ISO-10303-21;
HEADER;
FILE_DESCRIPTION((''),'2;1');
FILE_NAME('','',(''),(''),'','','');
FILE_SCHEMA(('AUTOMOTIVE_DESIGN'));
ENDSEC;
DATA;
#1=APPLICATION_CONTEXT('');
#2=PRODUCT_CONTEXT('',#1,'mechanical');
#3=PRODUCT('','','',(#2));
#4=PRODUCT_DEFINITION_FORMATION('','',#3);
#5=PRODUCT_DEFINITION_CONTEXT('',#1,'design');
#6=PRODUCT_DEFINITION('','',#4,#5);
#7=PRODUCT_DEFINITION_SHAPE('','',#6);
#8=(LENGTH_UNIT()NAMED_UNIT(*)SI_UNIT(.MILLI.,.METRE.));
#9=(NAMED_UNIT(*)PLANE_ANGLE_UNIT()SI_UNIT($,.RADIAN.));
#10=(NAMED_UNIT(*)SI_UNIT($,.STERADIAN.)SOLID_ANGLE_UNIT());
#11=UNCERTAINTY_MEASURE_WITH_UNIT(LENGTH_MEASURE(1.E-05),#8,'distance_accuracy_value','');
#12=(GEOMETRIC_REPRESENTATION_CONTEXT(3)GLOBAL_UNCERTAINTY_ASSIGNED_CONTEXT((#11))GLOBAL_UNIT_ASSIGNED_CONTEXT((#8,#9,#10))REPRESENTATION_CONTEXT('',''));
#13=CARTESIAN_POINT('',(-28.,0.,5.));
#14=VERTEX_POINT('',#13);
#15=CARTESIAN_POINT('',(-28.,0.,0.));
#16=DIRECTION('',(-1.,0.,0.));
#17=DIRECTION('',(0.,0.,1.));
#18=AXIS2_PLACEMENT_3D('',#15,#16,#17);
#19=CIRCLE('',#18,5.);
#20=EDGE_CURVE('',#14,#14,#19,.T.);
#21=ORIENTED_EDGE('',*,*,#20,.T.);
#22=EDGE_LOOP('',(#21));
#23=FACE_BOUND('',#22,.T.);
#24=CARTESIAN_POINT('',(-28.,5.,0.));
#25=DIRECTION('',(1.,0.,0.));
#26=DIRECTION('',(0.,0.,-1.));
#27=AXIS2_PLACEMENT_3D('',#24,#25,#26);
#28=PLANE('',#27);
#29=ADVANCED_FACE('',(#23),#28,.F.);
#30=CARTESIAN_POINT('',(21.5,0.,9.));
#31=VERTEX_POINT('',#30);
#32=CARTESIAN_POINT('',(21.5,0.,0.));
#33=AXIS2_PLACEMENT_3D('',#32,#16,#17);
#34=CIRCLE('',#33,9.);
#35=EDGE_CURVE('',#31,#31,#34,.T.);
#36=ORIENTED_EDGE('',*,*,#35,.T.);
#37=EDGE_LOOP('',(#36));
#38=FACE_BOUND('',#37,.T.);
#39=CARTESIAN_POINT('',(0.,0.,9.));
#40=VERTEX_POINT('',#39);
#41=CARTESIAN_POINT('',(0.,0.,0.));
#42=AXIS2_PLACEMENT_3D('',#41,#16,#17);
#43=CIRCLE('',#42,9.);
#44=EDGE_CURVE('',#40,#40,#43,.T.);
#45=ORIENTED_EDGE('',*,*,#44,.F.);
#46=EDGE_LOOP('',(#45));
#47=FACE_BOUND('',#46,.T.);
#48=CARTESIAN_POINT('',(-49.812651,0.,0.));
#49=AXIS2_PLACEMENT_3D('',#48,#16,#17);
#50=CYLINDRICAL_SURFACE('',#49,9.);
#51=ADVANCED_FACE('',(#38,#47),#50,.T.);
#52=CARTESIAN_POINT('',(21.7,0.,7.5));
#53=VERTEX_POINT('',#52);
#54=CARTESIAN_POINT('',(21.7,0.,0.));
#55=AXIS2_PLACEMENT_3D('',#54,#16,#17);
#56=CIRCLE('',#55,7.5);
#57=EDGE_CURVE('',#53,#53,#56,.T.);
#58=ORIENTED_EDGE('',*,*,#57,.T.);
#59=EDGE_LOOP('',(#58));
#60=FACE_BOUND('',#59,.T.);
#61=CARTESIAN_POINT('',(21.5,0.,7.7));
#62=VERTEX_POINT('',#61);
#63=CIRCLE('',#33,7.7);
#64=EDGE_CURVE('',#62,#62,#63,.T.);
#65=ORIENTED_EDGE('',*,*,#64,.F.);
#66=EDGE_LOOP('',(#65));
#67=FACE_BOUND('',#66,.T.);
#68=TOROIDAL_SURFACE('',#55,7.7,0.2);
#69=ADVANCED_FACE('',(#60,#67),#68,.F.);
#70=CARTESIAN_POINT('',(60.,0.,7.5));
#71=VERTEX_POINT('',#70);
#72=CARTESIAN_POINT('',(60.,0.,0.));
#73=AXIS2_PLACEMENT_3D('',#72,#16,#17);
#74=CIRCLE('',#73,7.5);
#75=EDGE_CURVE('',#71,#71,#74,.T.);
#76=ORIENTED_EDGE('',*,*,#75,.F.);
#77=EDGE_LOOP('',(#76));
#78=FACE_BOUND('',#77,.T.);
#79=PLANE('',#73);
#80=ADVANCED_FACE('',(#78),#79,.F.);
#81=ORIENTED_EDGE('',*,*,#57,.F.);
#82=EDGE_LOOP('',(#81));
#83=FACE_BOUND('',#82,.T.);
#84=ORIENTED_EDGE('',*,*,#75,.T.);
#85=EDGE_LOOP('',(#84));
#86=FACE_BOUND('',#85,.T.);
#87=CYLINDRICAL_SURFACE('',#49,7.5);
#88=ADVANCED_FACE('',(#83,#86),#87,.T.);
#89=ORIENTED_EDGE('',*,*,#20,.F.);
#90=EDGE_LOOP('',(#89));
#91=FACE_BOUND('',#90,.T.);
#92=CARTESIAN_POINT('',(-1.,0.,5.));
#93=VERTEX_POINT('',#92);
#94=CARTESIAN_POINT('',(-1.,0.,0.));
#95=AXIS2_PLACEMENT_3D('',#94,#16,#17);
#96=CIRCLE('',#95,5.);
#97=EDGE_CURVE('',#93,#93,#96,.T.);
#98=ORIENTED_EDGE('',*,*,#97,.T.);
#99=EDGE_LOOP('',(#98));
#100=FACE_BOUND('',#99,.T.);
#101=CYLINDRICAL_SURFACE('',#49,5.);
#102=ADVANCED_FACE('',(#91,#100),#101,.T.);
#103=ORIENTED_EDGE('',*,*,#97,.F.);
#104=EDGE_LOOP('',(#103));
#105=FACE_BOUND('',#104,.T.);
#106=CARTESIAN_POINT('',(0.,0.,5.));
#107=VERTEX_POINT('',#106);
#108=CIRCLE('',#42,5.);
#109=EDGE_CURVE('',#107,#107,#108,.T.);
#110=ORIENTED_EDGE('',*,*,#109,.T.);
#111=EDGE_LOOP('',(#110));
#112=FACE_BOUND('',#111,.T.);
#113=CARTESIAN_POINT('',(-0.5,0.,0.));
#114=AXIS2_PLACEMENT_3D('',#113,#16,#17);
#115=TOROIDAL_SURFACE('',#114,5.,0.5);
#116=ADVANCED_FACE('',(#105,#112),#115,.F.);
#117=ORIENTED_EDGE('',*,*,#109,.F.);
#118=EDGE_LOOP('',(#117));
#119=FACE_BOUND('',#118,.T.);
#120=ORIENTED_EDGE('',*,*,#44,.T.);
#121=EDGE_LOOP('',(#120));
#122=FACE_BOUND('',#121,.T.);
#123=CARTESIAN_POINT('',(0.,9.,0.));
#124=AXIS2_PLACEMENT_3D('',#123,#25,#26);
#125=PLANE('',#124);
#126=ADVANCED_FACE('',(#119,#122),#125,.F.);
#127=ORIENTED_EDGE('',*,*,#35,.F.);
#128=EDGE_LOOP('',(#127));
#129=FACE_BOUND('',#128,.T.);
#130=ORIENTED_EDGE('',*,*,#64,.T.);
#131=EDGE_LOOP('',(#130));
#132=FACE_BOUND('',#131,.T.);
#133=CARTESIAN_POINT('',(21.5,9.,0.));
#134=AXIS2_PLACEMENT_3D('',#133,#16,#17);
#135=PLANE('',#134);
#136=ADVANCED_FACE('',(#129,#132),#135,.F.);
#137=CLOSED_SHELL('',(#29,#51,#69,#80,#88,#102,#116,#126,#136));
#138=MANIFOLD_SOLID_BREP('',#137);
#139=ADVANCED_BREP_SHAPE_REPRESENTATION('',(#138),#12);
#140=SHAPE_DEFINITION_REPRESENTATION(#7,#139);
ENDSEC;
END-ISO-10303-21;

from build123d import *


with BuildPart() as part:
    # Sketch1 → Revolve1 (revolve)
    with BuildSketch(Plane.XY, mode=Mode.PRIVATE) as revolve1_sk:
        with BuildLine():
            Line((-1, 5), (-28, 5))
            Line((-28, 5), (-28, 0))
            Line((-28, 0), (60, 0))
            Line((60, 0), (60, 7.5))
            Line((60, 7.5), (21.7, 7.5))
            ThreePointArc((21.7, 7.5), (21.558578644, 7.558578644), (21.5, 7.7))
            Line((21.5, 7.7), (21.5, 9))
            Line((21.5, 9), (0, 9))
            Line((0, 9), (0, 5))
            ThreePointArc((0, 5), (-0.5, 4.5), (-1, 5))
        make_face()
    revolve(revolve1_sk.sketch.rotate(Axis((-49.812651096, 0, 0), (1, 0, 0)), 90), axis=Axis((-49.812651096, 0, 0), (1, 0, 0)))  # turned: the seam where the file's is


solid = part.part
